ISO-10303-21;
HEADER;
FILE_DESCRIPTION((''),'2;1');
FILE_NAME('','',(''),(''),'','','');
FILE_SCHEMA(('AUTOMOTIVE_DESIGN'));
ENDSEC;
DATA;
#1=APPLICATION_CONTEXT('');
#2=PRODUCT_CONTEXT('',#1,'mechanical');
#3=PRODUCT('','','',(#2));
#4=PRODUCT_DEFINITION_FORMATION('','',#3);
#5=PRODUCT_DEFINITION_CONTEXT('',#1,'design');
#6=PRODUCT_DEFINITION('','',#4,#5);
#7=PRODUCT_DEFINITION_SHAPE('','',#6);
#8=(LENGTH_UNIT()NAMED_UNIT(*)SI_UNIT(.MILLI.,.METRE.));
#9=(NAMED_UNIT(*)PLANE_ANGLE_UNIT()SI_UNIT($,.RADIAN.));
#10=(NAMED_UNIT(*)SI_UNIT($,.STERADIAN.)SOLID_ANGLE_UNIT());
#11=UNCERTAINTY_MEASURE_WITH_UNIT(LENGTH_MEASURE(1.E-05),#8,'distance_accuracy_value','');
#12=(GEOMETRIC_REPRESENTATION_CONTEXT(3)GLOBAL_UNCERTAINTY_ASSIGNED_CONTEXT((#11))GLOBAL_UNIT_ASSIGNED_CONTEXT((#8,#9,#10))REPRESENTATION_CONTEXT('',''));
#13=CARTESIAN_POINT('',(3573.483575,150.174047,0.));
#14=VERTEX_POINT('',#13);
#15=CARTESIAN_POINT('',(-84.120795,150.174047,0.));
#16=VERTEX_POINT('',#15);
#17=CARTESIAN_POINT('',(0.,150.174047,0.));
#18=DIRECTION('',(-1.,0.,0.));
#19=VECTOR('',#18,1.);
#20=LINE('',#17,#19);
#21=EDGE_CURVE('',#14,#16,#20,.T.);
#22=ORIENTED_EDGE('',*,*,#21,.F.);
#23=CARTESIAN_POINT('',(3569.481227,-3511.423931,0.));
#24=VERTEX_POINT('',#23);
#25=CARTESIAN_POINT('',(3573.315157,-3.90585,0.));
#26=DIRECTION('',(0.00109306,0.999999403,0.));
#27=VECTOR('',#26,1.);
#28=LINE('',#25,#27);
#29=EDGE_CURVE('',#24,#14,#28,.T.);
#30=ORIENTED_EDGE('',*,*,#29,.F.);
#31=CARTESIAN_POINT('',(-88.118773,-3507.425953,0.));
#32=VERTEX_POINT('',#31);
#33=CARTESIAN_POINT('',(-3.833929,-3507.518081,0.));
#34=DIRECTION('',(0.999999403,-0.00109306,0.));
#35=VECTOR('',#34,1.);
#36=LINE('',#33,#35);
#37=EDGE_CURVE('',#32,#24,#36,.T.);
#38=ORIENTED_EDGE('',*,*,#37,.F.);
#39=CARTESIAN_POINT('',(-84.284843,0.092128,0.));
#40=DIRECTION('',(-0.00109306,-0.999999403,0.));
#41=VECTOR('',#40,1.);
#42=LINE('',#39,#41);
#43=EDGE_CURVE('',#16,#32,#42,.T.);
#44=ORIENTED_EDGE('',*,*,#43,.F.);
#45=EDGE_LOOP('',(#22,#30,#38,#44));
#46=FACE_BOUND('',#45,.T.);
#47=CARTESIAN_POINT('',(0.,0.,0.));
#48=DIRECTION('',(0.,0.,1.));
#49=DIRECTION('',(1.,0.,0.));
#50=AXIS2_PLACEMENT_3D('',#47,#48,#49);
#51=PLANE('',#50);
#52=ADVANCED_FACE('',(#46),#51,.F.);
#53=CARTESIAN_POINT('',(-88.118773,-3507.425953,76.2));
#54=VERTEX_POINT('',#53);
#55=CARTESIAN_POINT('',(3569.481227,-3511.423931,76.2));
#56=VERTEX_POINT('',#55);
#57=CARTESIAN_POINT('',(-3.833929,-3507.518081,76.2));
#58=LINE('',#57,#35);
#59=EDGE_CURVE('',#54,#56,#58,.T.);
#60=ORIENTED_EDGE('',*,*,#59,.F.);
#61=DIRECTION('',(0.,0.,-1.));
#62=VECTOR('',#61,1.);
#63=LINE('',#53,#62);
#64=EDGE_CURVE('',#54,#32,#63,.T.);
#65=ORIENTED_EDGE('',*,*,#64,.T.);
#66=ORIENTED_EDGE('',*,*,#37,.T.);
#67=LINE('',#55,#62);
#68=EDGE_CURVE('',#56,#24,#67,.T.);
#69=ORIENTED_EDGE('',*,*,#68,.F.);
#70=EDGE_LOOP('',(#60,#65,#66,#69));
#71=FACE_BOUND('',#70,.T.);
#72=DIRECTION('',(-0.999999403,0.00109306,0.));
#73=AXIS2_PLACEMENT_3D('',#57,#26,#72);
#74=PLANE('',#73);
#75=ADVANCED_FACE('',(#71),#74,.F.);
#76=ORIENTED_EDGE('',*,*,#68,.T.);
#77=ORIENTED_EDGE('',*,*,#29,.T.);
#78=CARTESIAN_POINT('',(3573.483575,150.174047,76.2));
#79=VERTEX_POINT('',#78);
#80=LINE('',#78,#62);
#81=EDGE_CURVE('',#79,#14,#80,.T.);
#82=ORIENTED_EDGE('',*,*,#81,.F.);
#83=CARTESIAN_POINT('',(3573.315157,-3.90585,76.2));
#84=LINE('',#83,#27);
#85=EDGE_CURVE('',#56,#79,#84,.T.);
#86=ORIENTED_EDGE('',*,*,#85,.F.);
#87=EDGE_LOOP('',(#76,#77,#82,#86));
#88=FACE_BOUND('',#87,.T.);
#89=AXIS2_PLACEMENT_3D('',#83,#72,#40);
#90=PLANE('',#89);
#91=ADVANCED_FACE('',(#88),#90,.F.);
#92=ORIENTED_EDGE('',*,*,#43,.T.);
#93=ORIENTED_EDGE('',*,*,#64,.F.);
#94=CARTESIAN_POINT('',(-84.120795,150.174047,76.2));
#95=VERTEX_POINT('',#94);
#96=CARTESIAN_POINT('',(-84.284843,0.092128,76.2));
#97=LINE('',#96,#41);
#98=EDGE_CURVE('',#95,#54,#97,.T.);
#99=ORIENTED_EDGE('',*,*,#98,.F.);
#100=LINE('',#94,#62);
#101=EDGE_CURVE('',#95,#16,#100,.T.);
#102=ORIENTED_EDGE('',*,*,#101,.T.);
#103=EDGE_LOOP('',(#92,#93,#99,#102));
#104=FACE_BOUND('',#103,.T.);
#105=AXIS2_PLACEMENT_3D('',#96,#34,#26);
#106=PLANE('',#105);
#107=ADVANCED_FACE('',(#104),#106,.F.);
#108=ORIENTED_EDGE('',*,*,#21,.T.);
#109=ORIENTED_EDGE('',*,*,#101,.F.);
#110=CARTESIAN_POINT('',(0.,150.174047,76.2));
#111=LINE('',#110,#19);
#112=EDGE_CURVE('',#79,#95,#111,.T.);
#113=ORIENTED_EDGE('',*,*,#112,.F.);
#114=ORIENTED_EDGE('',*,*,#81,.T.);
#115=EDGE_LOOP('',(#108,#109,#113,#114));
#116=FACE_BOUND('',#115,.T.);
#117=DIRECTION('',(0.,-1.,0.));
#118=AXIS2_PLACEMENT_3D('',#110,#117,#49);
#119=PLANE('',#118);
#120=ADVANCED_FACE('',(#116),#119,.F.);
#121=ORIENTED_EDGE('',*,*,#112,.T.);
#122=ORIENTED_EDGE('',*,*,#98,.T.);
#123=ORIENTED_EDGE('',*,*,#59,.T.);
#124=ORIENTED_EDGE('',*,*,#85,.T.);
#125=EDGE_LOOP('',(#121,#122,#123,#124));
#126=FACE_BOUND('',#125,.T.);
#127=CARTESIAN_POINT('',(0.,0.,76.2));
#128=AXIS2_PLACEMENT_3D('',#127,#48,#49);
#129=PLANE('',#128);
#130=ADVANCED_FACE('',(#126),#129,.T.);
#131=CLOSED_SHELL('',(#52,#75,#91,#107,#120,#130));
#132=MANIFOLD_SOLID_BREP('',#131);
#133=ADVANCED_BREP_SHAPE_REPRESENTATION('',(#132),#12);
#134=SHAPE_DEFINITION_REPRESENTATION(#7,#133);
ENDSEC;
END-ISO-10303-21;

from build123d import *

# Parameters (mm, degrees)
BOSS_EXTRUDE1_DEPTH = 76.2


with BuildPart() as part:
    # Sketch1 → Boss-Extrude1 (new body)
    with BuildSketch(Plane.XY):
        Polygon((3573.483575236, 150.174047018), (-84.120794795, 150.174047018), (-88.118772752, -3507.425952982), (3569.481227248, -3511.42393094), align=None)
    extrude(amount=BOSS_EXTRUDE1_DEPTH)


solid = part.part
